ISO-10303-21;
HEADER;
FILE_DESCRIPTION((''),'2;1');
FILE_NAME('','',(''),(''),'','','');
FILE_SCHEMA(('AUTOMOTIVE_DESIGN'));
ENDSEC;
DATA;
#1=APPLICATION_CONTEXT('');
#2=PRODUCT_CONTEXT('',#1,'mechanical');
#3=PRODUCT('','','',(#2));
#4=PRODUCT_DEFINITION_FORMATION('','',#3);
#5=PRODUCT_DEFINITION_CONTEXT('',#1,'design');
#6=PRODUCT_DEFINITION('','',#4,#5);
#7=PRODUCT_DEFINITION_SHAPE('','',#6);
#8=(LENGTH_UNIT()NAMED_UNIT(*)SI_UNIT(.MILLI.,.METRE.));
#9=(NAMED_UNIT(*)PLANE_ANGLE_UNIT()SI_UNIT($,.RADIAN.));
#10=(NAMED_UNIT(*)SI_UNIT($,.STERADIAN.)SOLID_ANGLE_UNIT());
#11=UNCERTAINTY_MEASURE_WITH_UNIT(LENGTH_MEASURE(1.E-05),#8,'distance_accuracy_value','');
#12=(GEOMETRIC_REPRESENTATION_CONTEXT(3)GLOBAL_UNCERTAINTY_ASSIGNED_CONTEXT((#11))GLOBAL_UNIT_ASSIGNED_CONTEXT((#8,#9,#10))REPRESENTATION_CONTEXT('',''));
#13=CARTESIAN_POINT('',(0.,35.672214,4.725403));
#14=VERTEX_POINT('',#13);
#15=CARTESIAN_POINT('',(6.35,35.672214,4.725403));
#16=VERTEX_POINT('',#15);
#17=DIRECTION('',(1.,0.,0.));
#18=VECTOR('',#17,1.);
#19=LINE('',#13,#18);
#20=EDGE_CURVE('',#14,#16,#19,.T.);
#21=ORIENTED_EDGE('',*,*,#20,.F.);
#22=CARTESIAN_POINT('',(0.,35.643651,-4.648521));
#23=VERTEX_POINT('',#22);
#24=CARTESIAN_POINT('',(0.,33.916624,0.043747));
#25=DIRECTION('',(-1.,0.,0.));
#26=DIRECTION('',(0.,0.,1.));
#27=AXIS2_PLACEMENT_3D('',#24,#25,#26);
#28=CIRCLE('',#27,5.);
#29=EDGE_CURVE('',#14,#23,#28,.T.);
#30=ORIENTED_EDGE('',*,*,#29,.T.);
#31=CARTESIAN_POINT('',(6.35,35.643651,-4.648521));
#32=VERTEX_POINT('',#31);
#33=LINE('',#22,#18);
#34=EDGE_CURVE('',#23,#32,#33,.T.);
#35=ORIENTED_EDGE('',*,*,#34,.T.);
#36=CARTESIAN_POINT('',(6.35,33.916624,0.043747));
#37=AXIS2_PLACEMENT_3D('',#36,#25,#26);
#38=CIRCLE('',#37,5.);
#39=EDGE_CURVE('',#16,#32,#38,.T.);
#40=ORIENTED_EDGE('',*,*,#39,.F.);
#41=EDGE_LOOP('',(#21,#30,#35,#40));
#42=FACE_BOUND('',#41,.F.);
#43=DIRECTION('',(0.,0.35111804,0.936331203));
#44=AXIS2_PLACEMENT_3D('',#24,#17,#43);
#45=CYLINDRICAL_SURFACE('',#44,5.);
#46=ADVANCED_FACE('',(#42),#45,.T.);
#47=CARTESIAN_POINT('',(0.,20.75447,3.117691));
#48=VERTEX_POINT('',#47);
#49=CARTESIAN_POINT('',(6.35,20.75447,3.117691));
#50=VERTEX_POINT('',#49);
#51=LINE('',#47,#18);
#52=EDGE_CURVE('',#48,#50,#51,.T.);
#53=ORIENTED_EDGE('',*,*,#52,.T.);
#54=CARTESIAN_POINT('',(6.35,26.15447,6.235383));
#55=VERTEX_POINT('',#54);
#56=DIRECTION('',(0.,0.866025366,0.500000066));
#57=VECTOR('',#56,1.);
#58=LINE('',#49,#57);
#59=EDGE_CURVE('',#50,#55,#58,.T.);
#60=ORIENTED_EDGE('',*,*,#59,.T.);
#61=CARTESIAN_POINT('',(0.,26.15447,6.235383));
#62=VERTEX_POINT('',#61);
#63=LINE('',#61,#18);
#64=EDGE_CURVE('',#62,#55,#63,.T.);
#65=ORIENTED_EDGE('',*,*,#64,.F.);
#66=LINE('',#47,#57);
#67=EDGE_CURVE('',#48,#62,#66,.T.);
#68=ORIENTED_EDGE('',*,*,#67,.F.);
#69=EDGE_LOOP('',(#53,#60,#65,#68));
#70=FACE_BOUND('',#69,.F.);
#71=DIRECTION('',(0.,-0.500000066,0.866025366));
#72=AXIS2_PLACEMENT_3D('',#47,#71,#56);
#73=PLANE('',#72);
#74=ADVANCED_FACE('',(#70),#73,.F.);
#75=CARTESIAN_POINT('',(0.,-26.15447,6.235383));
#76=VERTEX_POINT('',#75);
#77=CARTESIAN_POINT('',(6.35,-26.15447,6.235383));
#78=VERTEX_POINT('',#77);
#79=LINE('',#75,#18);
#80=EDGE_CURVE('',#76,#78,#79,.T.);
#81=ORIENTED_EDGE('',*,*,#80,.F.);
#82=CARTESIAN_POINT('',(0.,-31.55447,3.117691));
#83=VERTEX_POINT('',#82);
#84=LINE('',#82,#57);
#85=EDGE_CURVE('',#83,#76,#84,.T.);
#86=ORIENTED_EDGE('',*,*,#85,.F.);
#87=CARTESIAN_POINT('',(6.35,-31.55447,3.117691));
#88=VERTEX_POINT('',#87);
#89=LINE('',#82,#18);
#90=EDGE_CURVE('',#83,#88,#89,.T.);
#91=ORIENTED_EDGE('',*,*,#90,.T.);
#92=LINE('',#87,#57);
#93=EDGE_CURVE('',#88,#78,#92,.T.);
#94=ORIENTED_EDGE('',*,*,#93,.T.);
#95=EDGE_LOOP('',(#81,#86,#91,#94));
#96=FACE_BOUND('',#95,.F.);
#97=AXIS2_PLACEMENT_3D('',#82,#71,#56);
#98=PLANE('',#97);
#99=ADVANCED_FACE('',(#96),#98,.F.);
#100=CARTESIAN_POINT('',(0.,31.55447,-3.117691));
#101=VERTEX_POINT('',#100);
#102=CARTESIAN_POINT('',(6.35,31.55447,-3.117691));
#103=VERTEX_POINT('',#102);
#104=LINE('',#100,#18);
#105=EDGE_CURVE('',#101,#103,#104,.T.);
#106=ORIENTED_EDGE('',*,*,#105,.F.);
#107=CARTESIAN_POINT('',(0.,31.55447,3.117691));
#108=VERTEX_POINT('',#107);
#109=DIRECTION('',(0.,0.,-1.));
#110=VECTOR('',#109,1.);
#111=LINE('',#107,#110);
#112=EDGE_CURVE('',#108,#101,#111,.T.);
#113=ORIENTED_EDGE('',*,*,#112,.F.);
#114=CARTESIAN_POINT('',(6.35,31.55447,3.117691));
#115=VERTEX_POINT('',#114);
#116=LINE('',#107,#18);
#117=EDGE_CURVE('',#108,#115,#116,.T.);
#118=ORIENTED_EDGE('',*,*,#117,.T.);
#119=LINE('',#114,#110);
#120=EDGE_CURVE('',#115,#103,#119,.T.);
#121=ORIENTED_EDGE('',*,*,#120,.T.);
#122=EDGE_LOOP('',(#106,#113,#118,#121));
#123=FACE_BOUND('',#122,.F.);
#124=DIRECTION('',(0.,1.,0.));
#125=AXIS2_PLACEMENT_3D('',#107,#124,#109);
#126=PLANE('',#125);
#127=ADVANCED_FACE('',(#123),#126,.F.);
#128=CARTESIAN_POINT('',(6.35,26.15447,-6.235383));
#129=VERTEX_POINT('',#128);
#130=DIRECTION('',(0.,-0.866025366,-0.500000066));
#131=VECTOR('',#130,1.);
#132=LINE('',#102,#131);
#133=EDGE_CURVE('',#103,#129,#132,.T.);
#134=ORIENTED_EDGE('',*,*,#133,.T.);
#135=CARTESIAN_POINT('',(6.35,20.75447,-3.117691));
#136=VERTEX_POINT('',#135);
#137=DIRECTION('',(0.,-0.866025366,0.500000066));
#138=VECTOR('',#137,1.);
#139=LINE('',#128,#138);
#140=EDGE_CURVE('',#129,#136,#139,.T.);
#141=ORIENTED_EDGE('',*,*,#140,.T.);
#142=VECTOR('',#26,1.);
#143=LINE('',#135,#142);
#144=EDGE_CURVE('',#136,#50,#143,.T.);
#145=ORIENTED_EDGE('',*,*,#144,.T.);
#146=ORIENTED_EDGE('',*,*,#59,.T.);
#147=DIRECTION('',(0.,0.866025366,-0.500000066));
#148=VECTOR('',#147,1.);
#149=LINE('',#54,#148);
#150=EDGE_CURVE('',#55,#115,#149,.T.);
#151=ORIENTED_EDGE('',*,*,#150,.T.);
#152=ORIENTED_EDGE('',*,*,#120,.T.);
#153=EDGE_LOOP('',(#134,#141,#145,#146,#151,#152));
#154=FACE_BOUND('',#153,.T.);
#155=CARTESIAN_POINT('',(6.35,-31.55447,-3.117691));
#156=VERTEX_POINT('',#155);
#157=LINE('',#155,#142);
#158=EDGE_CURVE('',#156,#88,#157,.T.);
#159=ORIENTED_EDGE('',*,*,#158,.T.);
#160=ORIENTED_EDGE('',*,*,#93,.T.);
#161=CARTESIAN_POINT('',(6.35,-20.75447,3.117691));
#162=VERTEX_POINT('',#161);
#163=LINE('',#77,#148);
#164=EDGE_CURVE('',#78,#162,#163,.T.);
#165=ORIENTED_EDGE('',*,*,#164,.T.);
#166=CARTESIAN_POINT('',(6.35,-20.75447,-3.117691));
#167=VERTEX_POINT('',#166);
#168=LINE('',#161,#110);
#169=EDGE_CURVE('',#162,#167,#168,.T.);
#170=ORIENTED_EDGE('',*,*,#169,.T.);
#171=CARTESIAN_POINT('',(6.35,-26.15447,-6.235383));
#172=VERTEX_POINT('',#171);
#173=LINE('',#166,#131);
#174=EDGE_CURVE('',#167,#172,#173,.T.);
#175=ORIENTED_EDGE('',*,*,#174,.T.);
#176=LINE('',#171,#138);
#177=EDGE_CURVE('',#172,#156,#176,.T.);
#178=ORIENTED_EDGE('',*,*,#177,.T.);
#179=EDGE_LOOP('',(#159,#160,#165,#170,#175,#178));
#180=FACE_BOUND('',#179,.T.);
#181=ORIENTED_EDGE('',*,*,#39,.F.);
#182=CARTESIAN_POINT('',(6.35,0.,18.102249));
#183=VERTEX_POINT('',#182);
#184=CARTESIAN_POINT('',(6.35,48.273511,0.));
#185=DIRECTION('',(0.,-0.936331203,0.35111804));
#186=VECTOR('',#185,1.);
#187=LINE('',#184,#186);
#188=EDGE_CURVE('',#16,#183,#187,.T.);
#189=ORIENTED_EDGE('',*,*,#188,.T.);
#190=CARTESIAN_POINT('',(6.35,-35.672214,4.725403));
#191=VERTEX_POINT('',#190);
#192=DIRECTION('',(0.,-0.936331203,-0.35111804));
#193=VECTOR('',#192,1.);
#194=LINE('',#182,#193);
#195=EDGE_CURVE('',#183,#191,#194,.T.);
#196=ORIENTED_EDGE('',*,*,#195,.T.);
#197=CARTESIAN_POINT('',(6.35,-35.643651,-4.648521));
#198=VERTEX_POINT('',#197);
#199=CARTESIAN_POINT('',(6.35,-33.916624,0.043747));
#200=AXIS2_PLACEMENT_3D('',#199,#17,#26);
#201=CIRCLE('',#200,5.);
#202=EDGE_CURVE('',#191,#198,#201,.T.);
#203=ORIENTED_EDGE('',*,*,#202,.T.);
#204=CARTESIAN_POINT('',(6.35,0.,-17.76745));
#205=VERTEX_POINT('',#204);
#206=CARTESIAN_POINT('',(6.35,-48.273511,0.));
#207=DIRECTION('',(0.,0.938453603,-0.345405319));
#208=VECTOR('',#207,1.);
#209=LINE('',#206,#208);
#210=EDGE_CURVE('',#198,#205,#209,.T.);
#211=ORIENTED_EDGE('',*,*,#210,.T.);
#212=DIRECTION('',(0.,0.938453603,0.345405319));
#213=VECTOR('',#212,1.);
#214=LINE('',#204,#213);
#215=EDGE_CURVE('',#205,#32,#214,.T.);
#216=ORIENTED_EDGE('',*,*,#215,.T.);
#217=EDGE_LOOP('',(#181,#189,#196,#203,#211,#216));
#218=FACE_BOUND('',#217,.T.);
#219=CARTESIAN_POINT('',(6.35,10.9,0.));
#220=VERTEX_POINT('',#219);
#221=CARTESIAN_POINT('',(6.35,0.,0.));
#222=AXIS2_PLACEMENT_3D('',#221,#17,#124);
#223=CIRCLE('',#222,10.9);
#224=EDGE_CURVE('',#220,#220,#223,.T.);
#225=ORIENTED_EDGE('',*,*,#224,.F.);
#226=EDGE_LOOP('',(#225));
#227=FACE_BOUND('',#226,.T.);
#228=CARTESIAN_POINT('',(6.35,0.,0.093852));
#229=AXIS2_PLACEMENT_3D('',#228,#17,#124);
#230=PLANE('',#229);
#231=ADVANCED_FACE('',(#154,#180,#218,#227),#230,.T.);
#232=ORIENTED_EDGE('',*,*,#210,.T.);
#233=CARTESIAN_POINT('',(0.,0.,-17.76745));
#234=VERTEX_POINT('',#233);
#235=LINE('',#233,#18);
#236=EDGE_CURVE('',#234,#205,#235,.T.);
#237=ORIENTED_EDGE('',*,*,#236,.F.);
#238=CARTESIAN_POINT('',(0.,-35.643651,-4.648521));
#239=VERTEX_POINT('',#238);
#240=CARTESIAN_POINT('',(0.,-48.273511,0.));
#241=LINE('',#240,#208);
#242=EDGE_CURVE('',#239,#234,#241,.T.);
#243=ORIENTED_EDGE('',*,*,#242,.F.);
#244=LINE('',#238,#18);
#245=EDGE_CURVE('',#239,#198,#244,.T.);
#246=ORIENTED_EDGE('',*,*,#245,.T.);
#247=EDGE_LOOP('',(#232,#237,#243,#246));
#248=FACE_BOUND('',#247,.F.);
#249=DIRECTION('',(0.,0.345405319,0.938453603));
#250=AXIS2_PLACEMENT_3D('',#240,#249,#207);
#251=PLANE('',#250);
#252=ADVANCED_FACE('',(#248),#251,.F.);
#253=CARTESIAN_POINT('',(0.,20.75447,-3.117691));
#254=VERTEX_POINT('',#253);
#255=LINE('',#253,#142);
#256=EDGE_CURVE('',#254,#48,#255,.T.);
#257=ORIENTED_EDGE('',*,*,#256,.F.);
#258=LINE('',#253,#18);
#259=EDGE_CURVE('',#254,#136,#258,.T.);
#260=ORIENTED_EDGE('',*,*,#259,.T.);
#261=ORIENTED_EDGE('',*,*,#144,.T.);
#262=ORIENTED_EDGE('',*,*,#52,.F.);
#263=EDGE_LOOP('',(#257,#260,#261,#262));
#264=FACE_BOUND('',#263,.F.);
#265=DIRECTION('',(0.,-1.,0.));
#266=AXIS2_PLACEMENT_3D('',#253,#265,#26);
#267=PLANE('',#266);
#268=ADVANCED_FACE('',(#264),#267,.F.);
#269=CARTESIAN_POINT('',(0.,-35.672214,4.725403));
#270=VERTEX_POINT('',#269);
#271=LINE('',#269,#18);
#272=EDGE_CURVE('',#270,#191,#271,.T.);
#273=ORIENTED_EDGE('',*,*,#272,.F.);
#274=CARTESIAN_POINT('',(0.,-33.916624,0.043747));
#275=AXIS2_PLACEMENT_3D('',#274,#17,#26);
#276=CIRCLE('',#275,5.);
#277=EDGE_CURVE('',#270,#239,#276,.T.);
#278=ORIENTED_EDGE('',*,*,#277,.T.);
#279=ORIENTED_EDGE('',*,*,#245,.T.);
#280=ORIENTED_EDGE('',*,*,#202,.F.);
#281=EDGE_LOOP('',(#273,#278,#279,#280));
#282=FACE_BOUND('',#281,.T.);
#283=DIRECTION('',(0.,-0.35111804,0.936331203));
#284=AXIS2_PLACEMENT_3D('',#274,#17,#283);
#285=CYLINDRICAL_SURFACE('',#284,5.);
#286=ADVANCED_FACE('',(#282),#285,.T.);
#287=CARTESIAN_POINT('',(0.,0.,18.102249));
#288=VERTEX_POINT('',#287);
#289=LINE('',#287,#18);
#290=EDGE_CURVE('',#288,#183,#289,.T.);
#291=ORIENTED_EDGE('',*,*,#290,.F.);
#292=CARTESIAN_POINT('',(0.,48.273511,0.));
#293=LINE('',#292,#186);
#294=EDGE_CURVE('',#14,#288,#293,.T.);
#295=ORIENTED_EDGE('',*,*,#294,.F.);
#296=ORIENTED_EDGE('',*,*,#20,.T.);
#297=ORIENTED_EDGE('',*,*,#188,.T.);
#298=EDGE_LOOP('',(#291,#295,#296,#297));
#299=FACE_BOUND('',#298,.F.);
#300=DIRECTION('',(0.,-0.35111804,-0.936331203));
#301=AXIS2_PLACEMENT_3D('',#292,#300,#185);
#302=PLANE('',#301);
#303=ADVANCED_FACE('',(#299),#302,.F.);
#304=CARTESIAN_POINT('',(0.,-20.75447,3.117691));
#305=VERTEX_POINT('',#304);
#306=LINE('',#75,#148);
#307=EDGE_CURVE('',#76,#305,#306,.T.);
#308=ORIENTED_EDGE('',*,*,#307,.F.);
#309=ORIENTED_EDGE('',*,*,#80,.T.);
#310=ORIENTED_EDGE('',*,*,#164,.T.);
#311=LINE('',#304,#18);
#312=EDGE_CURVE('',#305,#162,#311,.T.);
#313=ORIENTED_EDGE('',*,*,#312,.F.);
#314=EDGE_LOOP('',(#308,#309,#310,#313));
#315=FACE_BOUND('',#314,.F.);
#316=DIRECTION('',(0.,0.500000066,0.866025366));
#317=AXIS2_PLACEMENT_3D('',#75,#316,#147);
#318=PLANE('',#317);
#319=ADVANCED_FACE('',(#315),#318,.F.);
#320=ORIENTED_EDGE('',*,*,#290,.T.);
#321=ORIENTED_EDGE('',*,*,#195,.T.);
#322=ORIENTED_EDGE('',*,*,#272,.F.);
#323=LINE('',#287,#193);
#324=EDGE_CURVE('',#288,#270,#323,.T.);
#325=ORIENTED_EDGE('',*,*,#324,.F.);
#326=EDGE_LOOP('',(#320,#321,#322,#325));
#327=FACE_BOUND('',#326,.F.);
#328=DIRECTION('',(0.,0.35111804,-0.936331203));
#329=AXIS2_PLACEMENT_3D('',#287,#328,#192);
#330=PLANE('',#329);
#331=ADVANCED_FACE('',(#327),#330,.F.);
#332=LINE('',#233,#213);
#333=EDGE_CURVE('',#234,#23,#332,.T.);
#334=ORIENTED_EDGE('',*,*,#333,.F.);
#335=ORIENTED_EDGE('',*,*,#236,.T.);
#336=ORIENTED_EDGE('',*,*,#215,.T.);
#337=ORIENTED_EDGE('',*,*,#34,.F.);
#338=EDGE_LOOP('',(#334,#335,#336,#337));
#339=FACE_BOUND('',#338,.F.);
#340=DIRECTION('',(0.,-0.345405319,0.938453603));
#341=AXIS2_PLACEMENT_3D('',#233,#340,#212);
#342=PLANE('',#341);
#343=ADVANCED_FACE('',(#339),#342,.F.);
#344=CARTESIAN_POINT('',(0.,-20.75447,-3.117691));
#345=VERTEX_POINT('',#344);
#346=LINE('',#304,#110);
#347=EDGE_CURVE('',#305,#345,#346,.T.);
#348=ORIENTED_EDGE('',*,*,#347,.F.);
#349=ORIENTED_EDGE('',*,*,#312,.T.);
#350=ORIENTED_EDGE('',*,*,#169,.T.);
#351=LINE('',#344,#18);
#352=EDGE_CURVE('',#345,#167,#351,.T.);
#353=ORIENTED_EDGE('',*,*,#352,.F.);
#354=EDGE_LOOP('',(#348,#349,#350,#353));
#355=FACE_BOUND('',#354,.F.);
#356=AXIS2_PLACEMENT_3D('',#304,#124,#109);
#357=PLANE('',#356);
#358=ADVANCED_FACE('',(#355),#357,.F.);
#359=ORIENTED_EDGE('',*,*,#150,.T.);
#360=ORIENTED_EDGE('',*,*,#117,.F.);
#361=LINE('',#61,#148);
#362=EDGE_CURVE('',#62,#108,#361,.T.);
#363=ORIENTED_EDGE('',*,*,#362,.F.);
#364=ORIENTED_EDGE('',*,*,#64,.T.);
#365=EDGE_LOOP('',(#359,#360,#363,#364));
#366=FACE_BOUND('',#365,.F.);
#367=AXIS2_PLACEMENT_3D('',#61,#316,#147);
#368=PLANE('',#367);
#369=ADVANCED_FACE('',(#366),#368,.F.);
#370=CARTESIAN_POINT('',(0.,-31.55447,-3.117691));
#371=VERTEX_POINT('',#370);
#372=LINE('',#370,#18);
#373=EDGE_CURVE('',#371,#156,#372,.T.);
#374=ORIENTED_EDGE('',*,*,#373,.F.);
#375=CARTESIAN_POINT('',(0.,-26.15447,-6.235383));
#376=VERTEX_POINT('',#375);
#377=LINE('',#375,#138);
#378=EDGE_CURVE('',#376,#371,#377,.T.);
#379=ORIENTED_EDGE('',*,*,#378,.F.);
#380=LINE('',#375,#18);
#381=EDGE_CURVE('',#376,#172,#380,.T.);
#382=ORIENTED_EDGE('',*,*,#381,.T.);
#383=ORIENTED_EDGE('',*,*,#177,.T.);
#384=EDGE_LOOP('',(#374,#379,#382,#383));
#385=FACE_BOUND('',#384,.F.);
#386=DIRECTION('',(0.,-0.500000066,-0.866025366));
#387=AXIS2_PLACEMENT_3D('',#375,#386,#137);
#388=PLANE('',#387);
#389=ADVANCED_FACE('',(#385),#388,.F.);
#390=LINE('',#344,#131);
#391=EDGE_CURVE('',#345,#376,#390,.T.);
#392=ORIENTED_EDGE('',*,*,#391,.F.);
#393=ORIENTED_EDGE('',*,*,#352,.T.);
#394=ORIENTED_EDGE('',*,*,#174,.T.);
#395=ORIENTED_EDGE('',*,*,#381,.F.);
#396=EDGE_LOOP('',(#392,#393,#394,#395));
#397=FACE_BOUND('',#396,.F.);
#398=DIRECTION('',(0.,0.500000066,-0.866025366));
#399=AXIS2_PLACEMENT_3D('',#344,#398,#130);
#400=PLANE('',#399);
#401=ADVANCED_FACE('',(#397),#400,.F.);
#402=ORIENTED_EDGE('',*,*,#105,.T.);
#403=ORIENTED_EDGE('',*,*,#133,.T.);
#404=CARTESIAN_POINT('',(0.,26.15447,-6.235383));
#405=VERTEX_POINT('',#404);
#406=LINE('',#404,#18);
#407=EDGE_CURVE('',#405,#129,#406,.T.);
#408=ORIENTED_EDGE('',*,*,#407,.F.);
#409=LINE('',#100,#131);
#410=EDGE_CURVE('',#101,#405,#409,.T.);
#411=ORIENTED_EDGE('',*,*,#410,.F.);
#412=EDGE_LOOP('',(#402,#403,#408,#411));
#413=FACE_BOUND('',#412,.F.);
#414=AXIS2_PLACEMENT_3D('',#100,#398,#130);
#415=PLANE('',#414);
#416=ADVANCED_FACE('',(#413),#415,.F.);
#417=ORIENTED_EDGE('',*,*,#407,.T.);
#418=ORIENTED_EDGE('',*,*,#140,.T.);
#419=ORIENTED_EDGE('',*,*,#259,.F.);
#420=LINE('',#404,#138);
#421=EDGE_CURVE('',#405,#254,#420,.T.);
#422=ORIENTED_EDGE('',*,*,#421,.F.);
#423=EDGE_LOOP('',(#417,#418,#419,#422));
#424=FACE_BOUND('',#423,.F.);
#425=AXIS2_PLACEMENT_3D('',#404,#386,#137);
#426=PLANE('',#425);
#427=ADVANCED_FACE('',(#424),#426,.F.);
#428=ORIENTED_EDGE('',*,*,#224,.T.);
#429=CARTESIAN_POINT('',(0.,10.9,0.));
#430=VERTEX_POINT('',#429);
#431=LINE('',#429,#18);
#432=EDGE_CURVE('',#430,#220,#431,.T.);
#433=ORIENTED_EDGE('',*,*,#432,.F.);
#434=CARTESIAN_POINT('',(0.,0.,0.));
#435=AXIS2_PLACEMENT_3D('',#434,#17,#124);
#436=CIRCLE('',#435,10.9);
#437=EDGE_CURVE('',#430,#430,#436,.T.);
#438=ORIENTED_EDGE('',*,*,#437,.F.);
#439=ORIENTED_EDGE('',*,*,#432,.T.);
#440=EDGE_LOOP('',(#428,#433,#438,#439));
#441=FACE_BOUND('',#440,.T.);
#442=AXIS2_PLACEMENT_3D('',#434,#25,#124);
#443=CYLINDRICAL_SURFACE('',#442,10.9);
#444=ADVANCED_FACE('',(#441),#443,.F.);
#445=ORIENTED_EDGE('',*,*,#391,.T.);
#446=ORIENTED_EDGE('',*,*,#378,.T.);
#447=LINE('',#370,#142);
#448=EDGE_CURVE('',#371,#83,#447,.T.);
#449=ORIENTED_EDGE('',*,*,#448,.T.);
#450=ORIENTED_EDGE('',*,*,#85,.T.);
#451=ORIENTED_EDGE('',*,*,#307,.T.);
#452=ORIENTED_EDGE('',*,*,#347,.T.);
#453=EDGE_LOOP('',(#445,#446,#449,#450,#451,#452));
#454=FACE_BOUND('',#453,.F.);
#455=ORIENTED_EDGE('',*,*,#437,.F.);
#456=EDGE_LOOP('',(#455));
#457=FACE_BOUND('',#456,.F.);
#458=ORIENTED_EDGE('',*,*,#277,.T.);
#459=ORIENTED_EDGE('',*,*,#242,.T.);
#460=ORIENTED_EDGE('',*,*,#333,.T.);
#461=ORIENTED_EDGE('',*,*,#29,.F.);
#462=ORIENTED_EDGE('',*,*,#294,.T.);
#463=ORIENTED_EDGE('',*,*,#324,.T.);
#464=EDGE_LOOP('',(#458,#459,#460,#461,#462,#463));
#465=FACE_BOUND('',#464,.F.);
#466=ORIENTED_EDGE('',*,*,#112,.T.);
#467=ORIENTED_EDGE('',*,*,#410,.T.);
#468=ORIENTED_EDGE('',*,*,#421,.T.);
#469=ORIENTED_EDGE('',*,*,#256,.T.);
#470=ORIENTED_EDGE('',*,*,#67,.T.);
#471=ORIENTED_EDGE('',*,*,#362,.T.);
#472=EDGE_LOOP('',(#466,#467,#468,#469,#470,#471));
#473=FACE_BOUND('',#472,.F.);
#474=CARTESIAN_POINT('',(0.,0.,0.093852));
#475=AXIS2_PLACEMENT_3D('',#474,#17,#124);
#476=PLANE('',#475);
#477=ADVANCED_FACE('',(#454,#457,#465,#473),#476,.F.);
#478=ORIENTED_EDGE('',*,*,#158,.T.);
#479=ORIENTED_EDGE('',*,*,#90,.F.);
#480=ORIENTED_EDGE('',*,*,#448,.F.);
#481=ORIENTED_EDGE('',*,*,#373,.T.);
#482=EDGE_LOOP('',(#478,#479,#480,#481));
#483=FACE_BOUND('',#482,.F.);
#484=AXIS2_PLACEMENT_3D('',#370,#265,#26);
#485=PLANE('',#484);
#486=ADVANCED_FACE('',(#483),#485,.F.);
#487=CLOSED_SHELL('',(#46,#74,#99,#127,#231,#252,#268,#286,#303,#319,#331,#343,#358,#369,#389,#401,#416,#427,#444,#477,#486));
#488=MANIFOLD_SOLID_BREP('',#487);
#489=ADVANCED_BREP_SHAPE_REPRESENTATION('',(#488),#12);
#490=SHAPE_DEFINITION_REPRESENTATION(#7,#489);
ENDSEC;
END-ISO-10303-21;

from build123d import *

# Parameters (mm, degrees)
F0_R     = 10.9
F1_DEPTH = 6.35
F2_R     = 5


with BuildPart() as f1:
    # F0 (on Right) → F1 (new body)
    with BuildSketch(Plane.YZ):
        Polygon((48.273511, 0), (0, 18.102249), (-48.273511, 0), (0, -17.76745), align=None)
        Polygon((-20.75447, -3.117691), (-26.15447, -6.235383), (-31.55447, -3.117691), (-31.55447, 3.117691), (-26.15447, 6.235383), (-20.75447, 3.117691), align=None, mode=Mode.SUBTRACT)
        Circle(F0_R, mode=Mode.SUBTRACT)
        Polygon((26.15447, -6.235383), (20.75447, -3.117691), (20.75447, 3.117691), (26.15447, 6.235383), (31.55447, 3.117691), (31.55447, -3.117691), align=None, mode=Mode.SUBTRACT)
    extrude(amount=F1_DEPTH)

    # F2
    f2_edges = [f1.edges().sort_by_distance(p)[0] for p in [
        (3.175, -48.273511, 0),
        (3.175, 48.273511, 0),
    ]]
    fillet(f2_edges, radius=F2_R)


solid = f1.part
